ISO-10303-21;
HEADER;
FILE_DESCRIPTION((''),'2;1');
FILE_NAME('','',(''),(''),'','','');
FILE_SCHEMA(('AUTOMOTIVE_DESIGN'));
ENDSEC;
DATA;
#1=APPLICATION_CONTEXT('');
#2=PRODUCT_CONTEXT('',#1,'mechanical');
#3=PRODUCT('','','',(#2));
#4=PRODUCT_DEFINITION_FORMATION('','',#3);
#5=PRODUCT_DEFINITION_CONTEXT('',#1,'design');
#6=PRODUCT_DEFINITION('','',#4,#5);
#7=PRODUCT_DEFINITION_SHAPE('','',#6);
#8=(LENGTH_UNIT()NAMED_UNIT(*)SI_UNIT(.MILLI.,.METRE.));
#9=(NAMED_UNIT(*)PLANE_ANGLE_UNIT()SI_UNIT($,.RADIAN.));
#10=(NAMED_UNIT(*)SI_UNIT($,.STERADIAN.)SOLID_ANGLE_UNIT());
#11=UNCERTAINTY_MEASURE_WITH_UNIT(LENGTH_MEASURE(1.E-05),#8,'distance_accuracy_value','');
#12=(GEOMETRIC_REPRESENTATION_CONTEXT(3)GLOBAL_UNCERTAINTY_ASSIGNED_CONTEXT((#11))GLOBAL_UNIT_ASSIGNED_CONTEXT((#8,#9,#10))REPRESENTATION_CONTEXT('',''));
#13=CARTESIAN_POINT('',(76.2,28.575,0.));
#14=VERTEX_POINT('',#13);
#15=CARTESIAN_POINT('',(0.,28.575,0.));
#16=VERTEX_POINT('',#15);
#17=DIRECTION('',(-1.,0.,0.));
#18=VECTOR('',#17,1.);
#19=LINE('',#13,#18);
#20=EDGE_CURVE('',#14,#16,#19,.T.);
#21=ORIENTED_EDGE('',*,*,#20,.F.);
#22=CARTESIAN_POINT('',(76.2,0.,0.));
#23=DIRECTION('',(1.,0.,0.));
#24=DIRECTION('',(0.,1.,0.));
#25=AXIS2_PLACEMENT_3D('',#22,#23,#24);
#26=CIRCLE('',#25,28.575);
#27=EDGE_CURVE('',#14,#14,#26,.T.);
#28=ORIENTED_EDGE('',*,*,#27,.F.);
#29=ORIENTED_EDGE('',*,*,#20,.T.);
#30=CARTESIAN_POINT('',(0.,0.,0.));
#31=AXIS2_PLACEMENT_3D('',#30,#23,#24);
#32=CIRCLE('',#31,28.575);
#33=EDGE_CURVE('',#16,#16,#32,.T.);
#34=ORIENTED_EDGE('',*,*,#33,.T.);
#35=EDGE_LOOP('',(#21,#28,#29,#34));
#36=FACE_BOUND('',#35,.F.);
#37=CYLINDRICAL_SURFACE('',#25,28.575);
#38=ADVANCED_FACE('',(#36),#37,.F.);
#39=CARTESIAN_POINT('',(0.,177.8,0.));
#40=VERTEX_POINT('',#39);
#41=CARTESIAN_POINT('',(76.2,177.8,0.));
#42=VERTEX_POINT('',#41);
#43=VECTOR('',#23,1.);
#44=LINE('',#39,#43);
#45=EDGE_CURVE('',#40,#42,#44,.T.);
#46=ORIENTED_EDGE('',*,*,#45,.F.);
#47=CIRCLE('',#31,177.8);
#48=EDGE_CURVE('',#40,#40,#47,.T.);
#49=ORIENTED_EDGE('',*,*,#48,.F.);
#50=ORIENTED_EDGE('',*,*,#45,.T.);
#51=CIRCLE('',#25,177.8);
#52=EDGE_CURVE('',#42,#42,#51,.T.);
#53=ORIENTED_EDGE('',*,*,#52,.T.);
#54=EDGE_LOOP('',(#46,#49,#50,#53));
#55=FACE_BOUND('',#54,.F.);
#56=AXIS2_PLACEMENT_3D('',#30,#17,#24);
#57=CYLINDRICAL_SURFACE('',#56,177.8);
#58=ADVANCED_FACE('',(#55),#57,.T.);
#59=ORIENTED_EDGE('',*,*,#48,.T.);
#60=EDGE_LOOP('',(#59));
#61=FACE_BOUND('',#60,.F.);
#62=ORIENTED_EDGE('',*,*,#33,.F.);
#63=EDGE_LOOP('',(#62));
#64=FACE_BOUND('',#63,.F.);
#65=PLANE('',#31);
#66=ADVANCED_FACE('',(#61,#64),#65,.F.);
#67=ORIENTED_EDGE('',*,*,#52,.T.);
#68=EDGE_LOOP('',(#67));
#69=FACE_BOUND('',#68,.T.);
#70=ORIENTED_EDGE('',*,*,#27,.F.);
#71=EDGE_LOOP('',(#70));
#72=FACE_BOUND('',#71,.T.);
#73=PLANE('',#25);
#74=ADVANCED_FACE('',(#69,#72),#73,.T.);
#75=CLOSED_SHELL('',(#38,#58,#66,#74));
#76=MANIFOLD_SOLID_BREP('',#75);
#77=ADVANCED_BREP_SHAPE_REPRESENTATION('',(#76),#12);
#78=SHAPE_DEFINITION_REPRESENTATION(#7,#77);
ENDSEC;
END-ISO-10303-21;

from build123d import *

# Parameters (mm, degrees)
F0_R     = 177.8
F1_DEPTH = 76.2
F2_R     = 28.575
F3_DEPTH = 76.201


with BuildPart() as f1:
    # F0 (on Right) → F1 (new body)
    with BuildSketch(Plane.YZ):
        Circle(F0_R)
    extrude(amount=F1_DEPTH)

    # F2 (on face) → F3 (cut, through all)
    with BuildSketch(Plane.YZ.offset(76.2)):
        Circle(F2_R)
    extrude(amount=-F3_DEPTH, mode=Mode.SUBTRACT)


solid = f1.part
